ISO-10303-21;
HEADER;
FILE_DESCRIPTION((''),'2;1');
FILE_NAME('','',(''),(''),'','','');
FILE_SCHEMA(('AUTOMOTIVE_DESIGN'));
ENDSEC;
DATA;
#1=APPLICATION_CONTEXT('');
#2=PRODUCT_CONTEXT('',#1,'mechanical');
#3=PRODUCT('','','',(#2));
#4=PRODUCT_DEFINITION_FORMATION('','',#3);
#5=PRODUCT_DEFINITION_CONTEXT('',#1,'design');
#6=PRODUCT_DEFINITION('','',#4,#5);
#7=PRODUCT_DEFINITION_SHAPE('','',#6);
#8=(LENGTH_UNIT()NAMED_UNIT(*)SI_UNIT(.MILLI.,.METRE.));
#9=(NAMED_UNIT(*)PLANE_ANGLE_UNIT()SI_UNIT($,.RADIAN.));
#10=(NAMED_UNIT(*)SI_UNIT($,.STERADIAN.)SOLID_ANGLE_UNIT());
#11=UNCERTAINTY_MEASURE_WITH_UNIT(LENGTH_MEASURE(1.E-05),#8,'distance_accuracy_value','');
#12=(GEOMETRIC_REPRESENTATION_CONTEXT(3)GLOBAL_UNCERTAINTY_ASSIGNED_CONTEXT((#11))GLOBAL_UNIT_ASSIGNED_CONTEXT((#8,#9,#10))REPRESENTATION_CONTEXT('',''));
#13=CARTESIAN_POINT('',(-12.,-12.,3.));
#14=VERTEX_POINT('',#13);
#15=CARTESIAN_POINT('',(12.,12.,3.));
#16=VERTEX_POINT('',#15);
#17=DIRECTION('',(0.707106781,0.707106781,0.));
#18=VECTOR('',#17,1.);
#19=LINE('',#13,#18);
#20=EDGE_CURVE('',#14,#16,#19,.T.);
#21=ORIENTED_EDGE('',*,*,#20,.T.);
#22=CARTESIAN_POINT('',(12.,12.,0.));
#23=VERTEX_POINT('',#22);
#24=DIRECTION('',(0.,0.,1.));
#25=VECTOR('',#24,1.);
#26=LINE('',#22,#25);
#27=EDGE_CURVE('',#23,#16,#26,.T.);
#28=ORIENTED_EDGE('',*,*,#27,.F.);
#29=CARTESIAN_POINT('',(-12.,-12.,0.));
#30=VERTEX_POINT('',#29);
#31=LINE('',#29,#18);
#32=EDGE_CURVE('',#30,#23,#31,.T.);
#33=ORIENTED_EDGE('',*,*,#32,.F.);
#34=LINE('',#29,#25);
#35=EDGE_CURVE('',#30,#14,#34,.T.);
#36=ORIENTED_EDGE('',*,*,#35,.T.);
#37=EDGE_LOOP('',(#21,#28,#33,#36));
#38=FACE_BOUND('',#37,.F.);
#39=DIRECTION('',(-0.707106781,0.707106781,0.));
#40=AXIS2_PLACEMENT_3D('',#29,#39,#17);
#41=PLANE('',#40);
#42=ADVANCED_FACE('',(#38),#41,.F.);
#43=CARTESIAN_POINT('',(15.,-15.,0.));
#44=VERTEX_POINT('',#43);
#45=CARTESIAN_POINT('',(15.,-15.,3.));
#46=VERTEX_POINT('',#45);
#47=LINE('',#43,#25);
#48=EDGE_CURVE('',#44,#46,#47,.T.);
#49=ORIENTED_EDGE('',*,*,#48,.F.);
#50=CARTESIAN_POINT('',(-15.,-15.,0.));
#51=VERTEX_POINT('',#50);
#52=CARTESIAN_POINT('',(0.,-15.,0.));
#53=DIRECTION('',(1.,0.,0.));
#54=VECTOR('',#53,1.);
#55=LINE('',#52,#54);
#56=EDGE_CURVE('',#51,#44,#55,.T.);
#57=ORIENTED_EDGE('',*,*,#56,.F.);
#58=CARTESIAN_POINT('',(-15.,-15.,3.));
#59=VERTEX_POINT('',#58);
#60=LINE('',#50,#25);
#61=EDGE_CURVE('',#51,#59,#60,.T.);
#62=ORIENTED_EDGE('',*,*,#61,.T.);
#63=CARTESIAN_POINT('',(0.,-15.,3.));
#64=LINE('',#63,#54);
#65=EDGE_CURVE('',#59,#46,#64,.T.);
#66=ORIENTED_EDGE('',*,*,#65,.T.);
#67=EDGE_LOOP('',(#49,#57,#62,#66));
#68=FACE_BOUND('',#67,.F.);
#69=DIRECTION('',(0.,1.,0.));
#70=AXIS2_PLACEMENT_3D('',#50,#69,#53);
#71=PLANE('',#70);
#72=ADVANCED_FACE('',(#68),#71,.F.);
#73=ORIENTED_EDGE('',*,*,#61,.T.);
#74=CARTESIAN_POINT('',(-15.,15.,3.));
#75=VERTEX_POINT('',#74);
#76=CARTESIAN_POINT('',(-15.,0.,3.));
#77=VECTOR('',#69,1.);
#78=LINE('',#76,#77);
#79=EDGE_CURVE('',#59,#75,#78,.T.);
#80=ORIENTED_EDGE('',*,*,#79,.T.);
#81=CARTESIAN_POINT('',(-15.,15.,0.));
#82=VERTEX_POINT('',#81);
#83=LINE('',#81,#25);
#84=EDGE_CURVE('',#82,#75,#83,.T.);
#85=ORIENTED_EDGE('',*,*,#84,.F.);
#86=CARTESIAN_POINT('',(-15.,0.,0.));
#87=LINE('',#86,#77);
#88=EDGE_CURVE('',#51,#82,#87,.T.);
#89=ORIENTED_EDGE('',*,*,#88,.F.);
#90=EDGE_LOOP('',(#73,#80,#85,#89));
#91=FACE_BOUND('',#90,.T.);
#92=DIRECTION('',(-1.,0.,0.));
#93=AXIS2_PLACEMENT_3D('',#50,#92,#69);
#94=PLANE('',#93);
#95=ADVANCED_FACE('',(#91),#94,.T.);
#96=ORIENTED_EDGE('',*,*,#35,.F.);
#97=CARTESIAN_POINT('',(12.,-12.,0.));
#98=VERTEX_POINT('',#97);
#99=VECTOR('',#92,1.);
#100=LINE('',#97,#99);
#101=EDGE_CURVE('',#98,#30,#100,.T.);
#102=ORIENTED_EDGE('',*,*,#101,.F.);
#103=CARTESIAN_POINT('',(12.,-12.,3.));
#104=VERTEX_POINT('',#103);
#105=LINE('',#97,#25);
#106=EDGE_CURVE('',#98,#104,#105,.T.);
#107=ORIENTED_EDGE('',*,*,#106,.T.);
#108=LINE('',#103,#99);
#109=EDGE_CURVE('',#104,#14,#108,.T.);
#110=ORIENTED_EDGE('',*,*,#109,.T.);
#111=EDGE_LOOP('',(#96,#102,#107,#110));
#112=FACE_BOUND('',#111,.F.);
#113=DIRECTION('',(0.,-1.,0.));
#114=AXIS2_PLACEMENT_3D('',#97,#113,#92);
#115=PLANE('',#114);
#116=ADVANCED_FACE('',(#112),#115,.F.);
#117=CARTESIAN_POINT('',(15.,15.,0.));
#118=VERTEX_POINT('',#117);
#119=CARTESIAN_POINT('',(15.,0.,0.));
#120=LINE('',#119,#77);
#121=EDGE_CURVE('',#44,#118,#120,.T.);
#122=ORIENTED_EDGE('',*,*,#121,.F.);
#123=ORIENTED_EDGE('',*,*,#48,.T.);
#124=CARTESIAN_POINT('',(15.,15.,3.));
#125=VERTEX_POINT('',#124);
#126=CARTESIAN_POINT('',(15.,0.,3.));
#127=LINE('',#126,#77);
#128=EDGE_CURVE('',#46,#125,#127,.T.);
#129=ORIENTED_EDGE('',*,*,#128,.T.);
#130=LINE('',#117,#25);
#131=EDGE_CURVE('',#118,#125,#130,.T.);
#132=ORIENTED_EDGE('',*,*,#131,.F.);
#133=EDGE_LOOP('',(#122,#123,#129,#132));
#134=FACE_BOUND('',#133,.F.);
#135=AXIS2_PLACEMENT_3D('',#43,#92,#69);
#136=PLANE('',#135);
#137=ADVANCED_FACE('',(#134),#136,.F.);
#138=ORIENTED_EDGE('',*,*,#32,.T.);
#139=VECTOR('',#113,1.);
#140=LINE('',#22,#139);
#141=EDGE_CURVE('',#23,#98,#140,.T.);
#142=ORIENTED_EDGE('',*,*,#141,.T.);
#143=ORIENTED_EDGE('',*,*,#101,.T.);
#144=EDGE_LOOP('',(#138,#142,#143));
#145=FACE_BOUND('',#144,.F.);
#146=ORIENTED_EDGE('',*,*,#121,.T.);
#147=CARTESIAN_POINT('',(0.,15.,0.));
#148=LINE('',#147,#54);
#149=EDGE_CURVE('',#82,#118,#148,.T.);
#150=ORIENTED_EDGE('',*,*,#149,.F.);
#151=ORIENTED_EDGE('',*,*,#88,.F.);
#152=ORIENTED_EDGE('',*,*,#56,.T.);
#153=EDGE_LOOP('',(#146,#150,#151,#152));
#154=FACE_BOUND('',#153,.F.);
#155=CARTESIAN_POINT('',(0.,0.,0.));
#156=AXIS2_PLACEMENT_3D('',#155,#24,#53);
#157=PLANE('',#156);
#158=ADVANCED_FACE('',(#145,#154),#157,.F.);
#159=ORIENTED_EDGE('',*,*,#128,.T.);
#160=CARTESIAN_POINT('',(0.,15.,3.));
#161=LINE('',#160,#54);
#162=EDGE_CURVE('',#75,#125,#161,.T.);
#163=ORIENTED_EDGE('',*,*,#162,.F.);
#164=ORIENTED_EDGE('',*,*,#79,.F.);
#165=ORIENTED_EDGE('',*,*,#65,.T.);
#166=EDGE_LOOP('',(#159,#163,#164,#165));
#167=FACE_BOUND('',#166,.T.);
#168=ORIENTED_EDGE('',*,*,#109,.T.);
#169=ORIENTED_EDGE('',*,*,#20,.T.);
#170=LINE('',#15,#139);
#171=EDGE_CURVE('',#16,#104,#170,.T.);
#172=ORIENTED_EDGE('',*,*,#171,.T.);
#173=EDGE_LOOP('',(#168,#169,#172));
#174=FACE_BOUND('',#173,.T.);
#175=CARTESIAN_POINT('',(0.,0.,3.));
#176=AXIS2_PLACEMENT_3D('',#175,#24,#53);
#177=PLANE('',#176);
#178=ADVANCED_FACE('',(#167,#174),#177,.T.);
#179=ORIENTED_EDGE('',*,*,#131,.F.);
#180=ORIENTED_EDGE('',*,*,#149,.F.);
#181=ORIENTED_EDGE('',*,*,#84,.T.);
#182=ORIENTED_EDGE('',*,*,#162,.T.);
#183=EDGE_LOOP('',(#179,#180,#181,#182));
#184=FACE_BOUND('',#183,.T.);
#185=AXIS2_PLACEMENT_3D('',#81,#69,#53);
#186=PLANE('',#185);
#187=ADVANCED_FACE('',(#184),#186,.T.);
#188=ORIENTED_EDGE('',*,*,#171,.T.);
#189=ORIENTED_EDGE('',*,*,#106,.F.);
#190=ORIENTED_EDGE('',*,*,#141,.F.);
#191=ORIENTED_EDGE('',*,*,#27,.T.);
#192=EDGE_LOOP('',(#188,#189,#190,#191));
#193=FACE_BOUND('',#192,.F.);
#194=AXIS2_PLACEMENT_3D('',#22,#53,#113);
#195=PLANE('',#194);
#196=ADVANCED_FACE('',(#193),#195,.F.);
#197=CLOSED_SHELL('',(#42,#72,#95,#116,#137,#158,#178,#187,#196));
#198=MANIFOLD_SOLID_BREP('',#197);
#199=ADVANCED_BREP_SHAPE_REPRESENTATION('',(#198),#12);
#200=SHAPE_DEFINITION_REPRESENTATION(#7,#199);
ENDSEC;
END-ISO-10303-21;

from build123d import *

# Parameters (mm, degrees)
F0_W     = 30
F0_H     = 30
F1_DEPTH = 3


with BuildPart() as f1:
    # F0 (on Top) → F1 (new body)
    with BuildSketch(Plane.XY):
        Rectangle(F0_W, F0_H)
        Polygon((-12, -12), (12, 12), (12, -12), align=None, mode=Mode.SUBTRACT)
    extrude(amount=F1_DEPTH)


solid = f1.part
